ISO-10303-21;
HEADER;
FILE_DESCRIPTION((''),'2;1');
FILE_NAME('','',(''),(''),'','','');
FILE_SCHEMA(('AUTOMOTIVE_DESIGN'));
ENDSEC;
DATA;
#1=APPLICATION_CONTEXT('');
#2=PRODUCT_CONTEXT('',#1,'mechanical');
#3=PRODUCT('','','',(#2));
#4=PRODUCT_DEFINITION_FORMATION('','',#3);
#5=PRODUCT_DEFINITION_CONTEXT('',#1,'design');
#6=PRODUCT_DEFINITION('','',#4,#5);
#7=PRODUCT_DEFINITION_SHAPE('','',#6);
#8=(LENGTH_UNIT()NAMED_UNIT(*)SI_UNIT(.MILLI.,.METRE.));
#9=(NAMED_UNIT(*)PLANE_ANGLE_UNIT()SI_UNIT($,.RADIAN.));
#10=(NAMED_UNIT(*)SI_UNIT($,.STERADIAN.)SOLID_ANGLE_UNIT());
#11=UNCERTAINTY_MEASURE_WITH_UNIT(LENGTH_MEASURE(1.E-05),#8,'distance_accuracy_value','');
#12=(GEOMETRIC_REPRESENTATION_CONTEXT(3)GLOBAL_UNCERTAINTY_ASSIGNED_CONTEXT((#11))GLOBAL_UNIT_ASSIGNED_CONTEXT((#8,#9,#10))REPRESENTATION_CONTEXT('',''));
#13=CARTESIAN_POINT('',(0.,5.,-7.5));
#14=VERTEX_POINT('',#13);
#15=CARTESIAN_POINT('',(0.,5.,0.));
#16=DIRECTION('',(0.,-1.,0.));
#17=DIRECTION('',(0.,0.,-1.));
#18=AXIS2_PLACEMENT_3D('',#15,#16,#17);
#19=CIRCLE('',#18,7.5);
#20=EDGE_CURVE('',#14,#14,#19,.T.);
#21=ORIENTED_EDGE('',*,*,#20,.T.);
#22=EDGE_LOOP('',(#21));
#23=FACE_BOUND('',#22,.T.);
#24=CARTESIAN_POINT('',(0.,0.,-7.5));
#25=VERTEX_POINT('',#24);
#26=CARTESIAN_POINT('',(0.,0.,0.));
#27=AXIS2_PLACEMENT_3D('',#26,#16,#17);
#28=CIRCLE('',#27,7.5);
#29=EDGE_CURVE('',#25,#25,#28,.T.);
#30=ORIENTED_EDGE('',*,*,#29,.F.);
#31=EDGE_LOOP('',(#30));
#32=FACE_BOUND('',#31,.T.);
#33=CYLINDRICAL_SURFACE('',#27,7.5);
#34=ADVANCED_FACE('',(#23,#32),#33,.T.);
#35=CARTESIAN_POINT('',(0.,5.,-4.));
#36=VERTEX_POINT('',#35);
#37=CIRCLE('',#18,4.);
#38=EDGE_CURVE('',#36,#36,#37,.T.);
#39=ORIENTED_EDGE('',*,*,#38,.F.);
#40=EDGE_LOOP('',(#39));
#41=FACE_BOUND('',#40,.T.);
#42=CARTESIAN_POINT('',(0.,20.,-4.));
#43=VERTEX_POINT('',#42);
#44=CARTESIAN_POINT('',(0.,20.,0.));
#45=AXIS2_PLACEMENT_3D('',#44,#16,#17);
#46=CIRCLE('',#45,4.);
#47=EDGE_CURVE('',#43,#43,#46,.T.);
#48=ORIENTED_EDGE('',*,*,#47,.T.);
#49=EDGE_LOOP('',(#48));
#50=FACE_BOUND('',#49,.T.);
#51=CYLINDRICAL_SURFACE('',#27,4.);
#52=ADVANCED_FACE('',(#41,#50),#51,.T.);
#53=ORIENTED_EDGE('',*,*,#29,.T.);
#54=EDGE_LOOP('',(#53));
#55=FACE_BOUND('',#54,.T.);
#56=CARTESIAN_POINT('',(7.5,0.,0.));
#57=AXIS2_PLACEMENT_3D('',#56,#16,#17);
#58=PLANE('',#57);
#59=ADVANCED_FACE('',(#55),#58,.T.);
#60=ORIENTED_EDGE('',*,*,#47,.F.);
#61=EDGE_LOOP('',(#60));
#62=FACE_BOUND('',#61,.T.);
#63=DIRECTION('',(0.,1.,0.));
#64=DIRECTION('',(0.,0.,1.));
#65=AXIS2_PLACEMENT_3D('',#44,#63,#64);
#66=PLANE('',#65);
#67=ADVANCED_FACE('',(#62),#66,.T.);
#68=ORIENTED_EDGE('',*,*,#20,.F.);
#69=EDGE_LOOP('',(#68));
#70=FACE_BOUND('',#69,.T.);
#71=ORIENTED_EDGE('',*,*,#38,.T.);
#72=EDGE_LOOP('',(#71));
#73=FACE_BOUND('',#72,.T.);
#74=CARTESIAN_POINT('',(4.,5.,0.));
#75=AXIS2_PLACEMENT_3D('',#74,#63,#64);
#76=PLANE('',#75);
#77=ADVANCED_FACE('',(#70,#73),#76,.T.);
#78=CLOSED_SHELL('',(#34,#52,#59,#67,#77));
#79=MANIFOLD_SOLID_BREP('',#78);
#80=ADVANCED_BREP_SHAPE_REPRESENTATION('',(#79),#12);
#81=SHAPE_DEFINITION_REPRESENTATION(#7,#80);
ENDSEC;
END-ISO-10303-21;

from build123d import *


with BuildPart() as part:
    # Sketch1 → Revolve1 (revolve)
    with BuildSketch(Plane.XY, mode=Mode.PRIVATE) as revolve1_sk:
        Polygon((0, 0), (0, 20), (4, 20), (4, 5), (7.5, 5), (7.5, 0), align=None)
    revolve(revolve1_sk.sketch.rotate(Axis((0, 0, 0), (0, 1, 0)), 90), axis=Axis((0, 0, 0), (0, 1, 0)))


solid = part.part
